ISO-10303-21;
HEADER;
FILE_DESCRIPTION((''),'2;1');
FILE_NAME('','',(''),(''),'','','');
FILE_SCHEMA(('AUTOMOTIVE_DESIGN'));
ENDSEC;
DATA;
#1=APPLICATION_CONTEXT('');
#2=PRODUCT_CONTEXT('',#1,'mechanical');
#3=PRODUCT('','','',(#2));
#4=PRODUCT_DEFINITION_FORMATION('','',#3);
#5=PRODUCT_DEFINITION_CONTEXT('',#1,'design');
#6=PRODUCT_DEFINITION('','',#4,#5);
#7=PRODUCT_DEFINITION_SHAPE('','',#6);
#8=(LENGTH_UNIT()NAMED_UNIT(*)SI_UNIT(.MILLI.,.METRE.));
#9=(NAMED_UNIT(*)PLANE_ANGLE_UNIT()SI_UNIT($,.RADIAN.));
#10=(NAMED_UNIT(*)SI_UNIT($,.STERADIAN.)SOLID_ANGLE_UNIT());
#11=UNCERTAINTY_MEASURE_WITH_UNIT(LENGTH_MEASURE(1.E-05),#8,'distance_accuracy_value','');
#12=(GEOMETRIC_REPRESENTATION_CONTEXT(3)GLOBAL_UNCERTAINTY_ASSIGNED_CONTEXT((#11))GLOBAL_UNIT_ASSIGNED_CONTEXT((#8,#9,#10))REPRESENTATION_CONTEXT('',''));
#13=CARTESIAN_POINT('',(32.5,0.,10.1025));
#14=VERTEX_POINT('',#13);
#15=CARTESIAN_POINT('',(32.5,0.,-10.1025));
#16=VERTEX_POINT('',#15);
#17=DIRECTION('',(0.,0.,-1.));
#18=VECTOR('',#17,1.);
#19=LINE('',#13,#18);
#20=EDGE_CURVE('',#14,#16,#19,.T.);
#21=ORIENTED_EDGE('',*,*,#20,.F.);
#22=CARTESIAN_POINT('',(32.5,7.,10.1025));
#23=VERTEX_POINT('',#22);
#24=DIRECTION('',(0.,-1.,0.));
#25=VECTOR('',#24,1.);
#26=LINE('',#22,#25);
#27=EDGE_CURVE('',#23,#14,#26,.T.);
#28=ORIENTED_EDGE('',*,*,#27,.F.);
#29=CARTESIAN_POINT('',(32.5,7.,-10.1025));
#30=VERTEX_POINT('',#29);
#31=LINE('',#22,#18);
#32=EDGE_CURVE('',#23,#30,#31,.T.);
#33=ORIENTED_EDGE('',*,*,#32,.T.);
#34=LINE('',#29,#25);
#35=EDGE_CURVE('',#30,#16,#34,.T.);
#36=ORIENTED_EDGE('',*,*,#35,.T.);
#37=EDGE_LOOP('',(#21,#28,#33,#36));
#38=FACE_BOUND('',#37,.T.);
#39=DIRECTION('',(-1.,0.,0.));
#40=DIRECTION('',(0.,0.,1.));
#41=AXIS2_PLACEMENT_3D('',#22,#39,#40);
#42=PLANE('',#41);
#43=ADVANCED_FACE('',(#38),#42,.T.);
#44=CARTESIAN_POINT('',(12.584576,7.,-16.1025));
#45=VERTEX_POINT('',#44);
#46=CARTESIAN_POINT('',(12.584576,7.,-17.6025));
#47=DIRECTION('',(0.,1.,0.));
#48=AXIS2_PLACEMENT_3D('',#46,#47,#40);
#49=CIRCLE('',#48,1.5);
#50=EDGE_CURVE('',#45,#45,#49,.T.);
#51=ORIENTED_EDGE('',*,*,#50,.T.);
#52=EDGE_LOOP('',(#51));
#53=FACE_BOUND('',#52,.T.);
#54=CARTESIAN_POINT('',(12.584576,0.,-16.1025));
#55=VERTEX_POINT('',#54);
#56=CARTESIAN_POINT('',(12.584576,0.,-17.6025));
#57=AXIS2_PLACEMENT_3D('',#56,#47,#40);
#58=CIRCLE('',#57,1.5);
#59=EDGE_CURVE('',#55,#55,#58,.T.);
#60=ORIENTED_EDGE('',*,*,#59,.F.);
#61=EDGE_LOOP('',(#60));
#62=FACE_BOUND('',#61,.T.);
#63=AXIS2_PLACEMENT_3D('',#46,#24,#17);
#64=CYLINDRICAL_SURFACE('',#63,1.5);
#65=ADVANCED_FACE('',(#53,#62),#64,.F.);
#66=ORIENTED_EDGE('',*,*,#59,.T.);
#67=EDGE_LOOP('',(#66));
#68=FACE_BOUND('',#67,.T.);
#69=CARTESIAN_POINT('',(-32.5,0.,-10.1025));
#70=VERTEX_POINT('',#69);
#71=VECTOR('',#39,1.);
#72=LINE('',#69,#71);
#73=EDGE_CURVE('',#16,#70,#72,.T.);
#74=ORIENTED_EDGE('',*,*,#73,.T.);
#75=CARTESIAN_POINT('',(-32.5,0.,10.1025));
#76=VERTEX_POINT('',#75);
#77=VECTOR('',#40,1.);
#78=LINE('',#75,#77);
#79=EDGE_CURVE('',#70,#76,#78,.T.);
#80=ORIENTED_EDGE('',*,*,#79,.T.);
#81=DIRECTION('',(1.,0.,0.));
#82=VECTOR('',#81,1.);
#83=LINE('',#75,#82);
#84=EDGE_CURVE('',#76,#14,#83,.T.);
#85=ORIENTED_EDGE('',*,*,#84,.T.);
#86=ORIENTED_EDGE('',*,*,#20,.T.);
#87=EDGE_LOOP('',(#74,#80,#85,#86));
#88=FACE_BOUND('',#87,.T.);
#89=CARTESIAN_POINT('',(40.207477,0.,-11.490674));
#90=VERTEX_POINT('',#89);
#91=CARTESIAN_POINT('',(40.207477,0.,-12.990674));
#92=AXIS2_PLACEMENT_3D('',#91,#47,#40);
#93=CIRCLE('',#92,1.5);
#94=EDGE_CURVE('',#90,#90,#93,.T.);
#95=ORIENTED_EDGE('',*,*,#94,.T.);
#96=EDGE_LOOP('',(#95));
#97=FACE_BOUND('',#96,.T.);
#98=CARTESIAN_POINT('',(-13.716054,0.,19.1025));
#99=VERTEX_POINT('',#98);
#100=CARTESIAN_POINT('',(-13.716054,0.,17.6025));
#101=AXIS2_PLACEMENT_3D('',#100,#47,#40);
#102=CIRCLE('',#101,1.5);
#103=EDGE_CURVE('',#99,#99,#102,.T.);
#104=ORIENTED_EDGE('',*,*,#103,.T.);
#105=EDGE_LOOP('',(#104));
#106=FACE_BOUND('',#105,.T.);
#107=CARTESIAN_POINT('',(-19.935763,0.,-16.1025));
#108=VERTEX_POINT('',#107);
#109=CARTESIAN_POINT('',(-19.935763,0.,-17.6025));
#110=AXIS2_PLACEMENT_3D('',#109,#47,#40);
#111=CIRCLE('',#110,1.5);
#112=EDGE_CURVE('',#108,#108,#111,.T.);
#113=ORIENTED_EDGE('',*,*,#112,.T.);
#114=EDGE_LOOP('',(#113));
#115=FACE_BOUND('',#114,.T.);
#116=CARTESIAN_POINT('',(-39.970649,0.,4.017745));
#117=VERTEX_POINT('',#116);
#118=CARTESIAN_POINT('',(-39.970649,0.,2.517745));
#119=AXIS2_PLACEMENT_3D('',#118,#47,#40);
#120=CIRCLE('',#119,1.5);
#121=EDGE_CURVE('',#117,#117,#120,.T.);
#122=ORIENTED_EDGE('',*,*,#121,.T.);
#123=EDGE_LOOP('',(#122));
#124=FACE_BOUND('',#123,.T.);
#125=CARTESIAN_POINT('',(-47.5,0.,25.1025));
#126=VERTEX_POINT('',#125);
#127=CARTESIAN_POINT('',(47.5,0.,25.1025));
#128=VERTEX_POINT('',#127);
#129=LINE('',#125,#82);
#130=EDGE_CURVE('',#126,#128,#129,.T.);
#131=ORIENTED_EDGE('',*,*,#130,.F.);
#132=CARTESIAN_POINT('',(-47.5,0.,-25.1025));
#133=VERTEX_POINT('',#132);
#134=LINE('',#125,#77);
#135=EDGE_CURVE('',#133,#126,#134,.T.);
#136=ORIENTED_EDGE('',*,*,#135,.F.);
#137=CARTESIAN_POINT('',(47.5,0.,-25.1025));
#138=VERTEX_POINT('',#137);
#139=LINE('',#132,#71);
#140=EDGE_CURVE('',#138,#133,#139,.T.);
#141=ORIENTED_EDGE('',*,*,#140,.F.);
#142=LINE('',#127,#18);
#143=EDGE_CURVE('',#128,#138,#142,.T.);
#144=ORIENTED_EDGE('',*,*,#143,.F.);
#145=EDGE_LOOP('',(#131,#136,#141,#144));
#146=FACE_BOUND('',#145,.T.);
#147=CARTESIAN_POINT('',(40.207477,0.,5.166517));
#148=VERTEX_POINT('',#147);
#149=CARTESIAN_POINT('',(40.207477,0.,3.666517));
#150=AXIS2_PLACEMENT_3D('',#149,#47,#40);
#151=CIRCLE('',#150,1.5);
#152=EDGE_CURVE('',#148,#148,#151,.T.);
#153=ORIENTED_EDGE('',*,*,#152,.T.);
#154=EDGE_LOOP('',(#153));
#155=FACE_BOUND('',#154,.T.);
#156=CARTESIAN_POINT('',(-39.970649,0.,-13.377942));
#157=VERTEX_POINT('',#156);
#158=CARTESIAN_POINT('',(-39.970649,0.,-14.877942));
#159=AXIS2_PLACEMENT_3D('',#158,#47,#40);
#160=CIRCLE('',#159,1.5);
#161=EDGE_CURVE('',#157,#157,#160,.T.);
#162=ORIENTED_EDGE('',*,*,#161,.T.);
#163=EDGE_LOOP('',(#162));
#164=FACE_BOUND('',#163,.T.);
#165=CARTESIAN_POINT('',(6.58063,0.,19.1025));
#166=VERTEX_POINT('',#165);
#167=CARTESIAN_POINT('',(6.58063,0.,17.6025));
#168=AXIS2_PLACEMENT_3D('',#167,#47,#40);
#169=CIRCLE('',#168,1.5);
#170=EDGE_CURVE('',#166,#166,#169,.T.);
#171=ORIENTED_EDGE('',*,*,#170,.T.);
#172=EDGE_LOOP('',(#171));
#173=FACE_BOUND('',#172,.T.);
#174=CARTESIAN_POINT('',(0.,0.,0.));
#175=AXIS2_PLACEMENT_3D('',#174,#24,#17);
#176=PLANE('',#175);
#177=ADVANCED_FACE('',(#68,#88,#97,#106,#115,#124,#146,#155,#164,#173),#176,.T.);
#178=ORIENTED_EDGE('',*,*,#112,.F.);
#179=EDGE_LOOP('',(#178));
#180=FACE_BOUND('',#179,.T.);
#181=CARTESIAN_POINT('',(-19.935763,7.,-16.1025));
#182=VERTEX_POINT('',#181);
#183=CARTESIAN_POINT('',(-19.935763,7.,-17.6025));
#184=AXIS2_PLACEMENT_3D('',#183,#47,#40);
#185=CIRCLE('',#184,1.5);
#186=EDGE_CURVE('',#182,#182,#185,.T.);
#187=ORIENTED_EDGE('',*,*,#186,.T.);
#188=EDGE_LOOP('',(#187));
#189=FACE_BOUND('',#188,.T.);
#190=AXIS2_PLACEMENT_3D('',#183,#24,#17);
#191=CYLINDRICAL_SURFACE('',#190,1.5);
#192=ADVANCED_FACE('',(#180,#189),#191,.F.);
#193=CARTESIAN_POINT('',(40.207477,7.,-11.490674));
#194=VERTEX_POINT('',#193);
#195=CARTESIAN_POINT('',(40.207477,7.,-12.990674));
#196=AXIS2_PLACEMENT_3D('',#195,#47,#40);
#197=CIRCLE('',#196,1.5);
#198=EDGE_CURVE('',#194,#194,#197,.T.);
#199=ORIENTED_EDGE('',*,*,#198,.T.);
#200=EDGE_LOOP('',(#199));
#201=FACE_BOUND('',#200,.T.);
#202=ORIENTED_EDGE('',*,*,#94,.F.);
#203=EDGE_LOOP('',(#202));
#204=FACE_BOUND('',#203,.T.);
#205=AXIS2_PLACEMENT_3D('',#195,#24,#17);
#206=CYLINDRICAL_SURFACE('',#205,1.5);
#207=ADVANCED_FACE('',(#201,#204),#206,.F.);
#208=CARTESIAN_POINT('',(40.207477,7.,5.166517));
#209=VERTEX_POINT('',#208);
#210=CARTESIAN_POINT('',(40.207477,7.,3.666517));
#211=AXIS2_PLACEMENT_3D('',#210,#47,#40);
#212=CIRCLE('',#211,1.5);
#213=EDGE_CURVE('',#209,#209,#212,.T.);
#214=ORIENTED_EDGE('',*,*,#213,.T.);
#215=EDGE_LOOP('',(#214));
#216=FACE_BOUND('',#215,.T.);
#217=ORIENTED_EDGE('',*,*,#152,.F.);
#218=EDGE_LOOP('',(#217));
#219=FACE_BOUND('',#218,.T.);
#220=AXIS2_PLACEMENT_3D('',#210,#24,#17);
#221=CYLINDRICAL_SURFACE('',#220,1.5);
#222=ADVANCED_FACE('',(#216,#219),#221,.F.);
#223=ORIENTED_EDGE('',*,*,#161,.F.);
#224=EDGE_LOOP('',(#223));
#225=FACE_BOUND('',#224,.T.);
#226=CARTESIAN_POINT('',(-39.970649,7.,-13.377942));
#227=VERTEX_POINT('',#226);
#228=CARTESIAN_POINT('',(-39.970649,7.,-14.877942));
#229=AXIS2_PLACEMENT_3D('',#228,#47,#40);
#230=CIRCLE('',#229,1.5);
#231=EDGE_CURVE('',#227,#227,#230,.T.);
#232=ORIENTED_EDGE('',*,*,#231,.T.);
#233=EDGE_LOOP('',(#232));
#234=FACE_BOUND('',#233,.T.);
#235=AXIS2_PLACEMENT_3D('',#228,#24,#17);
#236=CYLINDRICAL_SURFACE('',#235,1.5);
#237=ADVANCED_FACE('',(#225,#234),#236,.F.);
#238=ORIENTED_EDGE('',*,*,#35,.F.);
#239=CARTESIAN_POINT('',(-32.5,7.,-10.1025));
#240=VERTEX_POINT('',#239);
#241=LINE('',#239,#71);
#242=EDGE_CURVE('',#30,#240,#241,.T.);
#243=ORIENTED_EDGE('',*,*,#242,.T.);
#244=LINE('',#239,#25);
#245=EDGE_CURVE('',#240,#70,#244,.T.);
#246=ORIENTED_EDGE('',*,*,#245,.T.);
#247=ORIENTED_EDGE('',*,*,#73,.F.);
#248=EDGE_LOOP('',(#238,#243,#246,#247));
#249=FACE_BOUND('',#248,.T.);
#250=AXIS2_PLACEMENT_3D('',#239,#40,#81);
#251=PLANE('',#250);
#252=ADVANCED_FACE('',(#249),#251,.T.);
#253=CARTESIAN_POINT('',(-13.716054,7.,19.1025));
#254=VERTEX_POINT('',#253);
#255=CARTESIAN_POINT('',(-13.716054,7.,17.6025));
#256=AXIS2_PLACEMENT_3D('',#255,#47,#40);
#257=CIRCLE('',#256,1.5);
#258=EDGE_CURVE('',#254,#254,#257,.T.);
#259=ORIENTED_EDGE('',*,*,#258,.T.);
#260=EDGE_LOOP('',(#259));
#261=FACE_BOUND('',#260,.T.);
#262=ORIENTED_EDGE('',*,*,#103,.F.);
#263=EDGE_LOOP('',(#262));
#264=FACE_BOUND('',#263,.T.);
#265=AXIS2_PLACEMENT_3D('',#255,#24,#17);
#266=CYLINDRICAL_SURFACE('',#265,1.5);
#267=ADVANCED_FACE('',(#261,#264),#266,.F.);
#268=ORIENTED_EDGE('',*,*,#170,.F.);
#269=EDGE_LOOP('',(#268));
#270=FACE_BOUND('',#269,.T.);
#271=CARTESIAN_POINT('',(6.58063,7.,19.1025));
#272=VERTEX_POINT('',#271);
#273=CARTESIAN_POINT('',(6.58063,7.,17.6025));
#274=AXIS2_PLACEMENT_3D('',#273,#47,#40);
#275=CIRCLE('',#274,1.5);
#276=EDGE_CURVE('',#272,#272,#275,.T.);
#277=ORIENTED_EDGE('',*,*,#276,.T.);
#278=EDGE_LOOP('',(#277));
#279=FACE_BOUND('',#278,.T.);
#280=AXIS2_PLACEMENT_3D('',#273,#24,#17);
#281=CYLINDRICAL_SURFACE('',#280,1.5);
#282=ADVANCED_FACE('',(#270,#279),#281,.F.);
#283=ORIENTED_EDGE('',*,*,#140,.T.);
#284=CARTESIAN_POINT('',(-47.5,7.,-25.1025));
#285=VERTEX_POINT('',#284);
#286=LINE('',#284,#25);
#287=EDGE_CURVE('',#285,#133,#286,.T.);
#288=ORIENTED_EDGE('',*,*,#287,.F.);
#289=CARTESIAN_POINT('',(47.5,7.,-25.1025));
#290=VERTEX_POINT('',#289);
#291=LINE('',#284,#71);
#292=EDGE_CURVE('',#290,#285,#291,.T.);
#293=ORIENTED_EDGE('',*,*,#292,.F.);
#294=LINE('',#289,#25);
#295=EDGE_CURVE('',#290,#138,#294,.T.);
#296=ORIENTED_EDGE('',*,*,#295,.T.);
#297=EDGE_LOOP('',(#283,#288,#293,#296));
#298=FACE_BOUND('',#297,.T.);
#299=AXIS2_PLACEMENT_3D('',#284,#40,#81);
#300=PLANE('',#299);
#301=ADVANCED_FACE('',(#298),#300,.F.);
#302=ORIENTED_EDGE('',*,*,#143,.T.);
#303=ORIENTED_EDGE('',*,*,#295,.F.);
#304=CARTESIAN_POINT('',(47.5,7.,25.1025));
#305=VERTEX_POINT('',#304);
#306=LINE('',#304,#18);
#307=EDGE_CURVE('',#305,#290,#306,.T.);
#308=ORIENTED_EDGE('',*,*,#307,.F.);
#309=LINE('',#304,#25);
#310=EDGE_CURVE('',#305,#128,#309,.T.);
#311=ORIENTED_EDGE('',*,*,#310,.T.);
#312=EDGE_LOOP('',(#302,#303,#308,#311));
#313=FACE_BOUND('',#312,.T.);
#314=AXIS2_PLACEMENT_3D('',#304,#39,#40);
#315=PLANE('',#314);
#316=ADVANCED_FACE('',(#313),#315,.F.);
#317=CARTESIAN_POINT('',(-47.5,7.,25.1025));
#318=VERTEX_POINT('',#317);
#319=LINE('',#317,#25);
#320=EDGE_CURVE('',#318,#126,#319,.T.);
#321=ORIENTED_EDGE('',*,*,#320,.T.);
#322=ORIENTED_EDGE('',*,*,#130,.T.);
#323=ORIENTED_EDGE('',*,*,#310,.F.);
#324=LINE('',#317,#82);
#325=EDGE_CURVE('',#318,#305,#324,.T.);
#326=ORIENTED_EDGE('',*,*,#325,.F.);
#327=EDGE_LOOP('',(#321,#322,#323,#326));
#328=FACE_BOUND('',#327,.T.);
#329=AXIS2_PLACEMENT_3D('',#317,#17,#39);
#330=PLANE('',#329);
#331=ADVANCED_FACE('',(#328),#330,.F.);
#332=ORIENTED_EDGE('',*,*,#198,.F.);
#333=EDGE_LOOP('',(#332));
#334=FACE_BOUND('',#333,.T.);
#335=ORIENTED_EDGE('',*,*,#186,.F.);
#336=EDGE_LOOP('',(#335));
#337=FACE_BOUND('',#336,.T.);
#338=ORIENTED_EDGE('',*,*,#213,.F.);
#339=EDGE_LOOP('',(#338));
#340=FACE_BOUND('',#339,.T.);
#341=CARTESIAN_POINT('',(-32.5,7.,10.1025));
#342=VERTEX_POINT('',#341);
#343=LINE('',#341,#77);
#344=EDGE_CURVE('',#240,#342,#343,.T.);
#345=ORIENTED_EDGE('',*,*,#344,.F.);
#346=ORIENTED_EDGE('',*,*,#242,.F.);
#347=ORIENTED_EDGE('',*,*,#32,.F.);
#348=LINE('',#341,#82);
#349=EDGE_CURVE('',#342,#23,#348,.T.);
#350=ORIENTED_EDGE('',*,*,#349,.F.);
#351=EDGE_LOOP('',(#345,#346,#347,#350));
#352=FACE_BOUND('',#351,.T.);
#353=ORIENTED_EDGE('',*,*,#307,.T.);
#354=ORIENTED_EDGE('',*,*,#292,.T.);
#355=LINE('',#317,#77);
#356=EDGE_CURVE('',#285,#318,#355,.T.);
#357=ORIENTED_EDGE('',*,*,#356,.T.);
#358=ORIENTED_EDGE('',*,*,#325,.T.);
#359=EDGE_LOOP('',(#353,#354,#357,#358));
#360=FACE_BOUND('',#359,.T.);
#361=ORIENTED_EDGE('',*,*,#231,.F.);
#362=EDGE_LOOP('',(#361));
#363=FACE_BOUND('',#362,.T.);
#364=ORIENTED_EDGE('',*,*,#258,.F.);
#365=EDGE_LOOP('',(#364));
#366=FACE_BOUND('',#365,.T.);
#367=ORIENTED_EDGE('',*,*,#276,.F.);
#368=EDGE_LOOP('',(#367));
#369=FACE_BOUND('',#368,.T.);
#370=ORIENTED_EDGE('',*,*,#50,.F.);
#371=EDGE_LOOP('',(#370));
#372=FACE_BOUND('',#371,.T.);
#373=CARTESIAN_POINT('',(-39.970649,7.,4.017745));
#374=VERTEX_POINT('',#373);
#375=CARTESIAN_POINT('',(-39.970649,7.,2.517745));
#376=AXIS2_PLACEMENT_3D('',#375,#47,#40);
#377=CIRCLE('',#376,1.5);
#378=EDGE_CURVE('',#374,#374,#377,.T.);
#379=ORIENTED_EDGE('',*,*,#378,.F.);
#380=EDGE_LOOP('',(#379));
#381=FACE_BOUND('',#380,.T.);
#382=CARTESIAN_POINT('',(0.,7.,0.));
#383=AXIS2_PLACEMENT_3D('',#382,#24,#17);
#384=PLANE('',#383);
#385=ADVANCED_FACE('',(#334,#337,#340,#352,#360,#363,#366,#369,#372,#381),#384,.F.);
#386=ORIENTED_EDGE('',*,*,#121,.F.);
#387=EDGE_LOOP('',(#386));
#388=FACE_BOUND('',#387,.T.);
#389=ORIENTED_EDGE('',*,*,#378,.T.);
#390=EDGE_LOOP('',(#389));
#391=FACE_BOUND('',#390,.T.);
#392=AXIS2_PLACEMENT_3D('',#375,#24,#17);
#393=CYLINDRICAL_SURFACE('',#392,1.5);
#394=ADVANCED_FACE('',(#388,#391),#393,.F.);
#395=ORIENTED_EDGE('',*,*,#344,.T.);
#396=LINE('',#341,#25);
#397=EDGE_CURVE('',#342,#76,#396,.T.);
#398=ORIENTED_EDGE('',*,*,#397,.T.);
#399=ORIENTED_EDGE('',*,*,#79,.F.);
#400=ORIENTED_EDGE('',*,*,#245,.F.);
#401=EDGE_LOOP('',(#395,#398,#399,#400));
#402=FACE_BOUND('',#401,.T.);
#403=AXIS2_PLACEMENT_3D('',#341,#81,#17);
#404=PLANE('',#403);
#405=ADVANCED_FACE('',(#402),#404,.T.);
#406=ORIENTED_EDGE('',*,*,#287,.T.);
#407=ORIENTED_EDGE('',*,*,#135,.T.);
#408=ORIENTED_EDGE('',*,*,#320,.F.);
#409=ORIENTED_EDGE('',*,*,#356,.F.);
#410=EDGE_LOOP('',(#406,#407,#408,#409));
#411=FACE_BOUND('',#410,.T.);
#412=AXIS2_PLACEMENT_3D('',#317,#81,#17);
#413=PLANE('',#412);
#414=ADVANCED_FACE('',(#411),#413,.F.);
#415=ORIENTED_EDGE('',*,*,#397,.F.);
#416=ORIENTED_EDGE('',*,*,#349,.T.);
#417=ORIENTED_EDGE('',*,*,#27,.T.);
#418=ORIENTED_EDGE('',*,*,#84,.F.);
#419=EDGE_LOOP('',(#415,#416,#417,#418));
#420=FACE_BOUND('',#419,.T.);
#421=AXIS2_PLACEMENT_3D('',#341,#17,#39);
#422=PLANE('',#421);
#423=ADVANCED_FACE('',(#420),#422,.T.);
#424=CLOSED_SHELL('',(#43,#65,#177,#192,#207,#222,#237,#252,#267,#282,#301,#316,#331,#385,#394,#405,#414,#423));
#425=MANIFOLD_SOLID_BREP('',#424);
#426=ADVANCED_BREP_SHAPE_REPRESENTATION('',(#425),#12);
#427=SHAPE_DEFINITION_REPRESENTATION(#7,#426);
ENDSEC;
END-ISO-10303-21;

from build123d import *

# Parameters (mm, degrees)
SKETCH2_W           = 94.999999992
SKETCH2_H           = 50.20499992
SKETCH2_R           = 1.5
SKETCH2_W_2         = 64.999999992
SKETCH2_H_2         = 20.20499992
BOSS_EXTRUDE2_DEPTH = 7


with BuildPart() as part:
    # Sketch2 → Boss-Extrude2 (new body)
    with BuildSketch(Plane(origin=(0, 0, 0), x_dir=(1, 0, 0), z_dir=(0, 1, 0))):
        Rectangle(SKETCH2_W, SKETCH2_H)
        with Locations(Location((-19.935762724, 17.60249996, 0), (0, 0, 270))):
            Circle(SKETCH2_R, mode=Mode.SUBTRACT)
        with Locations(Location((12.584576228, 17.60249996, 0), (0, 0, 270))):
            Circle(SKETCH2_R, mode=Mode.SUBTRACT)
        with Locations(Location((-39.970648897, 14.877942076, 0), (0, 0, 270))):
            Circle(SKETCH2_R, mode=Mode.SUBTRACT)
        with Locations(Location((-39.970648897, -2.517744737, 0), (0, 0, 270))):
            Circle(SKETCH2_R, mode=Mode.SUBTRACT)
        with Locations(Location((40.207477372, 12.990674167, 0), (0, 0, 270))):
            Circle(SKETCH2_R, mode=Mode.SUBTRACT)
        with Locations(Location((40.207477372, -3.666516508, 0), (0, 0, 270))):
            Circle(SKETCH2_R, mode=Mode.SUBTRACT)
        with Locations(Location((-13.716054438, -17.60249996, 0), (0, 0, 270))):
            Circle(SKETCH2_R, mode=Mode.SUBTRACT)
        with Locations(Location((6.580630125, -17.60249996, 0), (0, 0, 270))):
            Circle(SKETCH2_R, mode=Mode.SUBTRACT)
        Rectangle(SKETCH2_W_2, SKETCH2_H_2, mode=Mode.SUBTRACT)
    extrude(amount=BOSS_EXTRUDE2_DEPTH)


solid = part.part
